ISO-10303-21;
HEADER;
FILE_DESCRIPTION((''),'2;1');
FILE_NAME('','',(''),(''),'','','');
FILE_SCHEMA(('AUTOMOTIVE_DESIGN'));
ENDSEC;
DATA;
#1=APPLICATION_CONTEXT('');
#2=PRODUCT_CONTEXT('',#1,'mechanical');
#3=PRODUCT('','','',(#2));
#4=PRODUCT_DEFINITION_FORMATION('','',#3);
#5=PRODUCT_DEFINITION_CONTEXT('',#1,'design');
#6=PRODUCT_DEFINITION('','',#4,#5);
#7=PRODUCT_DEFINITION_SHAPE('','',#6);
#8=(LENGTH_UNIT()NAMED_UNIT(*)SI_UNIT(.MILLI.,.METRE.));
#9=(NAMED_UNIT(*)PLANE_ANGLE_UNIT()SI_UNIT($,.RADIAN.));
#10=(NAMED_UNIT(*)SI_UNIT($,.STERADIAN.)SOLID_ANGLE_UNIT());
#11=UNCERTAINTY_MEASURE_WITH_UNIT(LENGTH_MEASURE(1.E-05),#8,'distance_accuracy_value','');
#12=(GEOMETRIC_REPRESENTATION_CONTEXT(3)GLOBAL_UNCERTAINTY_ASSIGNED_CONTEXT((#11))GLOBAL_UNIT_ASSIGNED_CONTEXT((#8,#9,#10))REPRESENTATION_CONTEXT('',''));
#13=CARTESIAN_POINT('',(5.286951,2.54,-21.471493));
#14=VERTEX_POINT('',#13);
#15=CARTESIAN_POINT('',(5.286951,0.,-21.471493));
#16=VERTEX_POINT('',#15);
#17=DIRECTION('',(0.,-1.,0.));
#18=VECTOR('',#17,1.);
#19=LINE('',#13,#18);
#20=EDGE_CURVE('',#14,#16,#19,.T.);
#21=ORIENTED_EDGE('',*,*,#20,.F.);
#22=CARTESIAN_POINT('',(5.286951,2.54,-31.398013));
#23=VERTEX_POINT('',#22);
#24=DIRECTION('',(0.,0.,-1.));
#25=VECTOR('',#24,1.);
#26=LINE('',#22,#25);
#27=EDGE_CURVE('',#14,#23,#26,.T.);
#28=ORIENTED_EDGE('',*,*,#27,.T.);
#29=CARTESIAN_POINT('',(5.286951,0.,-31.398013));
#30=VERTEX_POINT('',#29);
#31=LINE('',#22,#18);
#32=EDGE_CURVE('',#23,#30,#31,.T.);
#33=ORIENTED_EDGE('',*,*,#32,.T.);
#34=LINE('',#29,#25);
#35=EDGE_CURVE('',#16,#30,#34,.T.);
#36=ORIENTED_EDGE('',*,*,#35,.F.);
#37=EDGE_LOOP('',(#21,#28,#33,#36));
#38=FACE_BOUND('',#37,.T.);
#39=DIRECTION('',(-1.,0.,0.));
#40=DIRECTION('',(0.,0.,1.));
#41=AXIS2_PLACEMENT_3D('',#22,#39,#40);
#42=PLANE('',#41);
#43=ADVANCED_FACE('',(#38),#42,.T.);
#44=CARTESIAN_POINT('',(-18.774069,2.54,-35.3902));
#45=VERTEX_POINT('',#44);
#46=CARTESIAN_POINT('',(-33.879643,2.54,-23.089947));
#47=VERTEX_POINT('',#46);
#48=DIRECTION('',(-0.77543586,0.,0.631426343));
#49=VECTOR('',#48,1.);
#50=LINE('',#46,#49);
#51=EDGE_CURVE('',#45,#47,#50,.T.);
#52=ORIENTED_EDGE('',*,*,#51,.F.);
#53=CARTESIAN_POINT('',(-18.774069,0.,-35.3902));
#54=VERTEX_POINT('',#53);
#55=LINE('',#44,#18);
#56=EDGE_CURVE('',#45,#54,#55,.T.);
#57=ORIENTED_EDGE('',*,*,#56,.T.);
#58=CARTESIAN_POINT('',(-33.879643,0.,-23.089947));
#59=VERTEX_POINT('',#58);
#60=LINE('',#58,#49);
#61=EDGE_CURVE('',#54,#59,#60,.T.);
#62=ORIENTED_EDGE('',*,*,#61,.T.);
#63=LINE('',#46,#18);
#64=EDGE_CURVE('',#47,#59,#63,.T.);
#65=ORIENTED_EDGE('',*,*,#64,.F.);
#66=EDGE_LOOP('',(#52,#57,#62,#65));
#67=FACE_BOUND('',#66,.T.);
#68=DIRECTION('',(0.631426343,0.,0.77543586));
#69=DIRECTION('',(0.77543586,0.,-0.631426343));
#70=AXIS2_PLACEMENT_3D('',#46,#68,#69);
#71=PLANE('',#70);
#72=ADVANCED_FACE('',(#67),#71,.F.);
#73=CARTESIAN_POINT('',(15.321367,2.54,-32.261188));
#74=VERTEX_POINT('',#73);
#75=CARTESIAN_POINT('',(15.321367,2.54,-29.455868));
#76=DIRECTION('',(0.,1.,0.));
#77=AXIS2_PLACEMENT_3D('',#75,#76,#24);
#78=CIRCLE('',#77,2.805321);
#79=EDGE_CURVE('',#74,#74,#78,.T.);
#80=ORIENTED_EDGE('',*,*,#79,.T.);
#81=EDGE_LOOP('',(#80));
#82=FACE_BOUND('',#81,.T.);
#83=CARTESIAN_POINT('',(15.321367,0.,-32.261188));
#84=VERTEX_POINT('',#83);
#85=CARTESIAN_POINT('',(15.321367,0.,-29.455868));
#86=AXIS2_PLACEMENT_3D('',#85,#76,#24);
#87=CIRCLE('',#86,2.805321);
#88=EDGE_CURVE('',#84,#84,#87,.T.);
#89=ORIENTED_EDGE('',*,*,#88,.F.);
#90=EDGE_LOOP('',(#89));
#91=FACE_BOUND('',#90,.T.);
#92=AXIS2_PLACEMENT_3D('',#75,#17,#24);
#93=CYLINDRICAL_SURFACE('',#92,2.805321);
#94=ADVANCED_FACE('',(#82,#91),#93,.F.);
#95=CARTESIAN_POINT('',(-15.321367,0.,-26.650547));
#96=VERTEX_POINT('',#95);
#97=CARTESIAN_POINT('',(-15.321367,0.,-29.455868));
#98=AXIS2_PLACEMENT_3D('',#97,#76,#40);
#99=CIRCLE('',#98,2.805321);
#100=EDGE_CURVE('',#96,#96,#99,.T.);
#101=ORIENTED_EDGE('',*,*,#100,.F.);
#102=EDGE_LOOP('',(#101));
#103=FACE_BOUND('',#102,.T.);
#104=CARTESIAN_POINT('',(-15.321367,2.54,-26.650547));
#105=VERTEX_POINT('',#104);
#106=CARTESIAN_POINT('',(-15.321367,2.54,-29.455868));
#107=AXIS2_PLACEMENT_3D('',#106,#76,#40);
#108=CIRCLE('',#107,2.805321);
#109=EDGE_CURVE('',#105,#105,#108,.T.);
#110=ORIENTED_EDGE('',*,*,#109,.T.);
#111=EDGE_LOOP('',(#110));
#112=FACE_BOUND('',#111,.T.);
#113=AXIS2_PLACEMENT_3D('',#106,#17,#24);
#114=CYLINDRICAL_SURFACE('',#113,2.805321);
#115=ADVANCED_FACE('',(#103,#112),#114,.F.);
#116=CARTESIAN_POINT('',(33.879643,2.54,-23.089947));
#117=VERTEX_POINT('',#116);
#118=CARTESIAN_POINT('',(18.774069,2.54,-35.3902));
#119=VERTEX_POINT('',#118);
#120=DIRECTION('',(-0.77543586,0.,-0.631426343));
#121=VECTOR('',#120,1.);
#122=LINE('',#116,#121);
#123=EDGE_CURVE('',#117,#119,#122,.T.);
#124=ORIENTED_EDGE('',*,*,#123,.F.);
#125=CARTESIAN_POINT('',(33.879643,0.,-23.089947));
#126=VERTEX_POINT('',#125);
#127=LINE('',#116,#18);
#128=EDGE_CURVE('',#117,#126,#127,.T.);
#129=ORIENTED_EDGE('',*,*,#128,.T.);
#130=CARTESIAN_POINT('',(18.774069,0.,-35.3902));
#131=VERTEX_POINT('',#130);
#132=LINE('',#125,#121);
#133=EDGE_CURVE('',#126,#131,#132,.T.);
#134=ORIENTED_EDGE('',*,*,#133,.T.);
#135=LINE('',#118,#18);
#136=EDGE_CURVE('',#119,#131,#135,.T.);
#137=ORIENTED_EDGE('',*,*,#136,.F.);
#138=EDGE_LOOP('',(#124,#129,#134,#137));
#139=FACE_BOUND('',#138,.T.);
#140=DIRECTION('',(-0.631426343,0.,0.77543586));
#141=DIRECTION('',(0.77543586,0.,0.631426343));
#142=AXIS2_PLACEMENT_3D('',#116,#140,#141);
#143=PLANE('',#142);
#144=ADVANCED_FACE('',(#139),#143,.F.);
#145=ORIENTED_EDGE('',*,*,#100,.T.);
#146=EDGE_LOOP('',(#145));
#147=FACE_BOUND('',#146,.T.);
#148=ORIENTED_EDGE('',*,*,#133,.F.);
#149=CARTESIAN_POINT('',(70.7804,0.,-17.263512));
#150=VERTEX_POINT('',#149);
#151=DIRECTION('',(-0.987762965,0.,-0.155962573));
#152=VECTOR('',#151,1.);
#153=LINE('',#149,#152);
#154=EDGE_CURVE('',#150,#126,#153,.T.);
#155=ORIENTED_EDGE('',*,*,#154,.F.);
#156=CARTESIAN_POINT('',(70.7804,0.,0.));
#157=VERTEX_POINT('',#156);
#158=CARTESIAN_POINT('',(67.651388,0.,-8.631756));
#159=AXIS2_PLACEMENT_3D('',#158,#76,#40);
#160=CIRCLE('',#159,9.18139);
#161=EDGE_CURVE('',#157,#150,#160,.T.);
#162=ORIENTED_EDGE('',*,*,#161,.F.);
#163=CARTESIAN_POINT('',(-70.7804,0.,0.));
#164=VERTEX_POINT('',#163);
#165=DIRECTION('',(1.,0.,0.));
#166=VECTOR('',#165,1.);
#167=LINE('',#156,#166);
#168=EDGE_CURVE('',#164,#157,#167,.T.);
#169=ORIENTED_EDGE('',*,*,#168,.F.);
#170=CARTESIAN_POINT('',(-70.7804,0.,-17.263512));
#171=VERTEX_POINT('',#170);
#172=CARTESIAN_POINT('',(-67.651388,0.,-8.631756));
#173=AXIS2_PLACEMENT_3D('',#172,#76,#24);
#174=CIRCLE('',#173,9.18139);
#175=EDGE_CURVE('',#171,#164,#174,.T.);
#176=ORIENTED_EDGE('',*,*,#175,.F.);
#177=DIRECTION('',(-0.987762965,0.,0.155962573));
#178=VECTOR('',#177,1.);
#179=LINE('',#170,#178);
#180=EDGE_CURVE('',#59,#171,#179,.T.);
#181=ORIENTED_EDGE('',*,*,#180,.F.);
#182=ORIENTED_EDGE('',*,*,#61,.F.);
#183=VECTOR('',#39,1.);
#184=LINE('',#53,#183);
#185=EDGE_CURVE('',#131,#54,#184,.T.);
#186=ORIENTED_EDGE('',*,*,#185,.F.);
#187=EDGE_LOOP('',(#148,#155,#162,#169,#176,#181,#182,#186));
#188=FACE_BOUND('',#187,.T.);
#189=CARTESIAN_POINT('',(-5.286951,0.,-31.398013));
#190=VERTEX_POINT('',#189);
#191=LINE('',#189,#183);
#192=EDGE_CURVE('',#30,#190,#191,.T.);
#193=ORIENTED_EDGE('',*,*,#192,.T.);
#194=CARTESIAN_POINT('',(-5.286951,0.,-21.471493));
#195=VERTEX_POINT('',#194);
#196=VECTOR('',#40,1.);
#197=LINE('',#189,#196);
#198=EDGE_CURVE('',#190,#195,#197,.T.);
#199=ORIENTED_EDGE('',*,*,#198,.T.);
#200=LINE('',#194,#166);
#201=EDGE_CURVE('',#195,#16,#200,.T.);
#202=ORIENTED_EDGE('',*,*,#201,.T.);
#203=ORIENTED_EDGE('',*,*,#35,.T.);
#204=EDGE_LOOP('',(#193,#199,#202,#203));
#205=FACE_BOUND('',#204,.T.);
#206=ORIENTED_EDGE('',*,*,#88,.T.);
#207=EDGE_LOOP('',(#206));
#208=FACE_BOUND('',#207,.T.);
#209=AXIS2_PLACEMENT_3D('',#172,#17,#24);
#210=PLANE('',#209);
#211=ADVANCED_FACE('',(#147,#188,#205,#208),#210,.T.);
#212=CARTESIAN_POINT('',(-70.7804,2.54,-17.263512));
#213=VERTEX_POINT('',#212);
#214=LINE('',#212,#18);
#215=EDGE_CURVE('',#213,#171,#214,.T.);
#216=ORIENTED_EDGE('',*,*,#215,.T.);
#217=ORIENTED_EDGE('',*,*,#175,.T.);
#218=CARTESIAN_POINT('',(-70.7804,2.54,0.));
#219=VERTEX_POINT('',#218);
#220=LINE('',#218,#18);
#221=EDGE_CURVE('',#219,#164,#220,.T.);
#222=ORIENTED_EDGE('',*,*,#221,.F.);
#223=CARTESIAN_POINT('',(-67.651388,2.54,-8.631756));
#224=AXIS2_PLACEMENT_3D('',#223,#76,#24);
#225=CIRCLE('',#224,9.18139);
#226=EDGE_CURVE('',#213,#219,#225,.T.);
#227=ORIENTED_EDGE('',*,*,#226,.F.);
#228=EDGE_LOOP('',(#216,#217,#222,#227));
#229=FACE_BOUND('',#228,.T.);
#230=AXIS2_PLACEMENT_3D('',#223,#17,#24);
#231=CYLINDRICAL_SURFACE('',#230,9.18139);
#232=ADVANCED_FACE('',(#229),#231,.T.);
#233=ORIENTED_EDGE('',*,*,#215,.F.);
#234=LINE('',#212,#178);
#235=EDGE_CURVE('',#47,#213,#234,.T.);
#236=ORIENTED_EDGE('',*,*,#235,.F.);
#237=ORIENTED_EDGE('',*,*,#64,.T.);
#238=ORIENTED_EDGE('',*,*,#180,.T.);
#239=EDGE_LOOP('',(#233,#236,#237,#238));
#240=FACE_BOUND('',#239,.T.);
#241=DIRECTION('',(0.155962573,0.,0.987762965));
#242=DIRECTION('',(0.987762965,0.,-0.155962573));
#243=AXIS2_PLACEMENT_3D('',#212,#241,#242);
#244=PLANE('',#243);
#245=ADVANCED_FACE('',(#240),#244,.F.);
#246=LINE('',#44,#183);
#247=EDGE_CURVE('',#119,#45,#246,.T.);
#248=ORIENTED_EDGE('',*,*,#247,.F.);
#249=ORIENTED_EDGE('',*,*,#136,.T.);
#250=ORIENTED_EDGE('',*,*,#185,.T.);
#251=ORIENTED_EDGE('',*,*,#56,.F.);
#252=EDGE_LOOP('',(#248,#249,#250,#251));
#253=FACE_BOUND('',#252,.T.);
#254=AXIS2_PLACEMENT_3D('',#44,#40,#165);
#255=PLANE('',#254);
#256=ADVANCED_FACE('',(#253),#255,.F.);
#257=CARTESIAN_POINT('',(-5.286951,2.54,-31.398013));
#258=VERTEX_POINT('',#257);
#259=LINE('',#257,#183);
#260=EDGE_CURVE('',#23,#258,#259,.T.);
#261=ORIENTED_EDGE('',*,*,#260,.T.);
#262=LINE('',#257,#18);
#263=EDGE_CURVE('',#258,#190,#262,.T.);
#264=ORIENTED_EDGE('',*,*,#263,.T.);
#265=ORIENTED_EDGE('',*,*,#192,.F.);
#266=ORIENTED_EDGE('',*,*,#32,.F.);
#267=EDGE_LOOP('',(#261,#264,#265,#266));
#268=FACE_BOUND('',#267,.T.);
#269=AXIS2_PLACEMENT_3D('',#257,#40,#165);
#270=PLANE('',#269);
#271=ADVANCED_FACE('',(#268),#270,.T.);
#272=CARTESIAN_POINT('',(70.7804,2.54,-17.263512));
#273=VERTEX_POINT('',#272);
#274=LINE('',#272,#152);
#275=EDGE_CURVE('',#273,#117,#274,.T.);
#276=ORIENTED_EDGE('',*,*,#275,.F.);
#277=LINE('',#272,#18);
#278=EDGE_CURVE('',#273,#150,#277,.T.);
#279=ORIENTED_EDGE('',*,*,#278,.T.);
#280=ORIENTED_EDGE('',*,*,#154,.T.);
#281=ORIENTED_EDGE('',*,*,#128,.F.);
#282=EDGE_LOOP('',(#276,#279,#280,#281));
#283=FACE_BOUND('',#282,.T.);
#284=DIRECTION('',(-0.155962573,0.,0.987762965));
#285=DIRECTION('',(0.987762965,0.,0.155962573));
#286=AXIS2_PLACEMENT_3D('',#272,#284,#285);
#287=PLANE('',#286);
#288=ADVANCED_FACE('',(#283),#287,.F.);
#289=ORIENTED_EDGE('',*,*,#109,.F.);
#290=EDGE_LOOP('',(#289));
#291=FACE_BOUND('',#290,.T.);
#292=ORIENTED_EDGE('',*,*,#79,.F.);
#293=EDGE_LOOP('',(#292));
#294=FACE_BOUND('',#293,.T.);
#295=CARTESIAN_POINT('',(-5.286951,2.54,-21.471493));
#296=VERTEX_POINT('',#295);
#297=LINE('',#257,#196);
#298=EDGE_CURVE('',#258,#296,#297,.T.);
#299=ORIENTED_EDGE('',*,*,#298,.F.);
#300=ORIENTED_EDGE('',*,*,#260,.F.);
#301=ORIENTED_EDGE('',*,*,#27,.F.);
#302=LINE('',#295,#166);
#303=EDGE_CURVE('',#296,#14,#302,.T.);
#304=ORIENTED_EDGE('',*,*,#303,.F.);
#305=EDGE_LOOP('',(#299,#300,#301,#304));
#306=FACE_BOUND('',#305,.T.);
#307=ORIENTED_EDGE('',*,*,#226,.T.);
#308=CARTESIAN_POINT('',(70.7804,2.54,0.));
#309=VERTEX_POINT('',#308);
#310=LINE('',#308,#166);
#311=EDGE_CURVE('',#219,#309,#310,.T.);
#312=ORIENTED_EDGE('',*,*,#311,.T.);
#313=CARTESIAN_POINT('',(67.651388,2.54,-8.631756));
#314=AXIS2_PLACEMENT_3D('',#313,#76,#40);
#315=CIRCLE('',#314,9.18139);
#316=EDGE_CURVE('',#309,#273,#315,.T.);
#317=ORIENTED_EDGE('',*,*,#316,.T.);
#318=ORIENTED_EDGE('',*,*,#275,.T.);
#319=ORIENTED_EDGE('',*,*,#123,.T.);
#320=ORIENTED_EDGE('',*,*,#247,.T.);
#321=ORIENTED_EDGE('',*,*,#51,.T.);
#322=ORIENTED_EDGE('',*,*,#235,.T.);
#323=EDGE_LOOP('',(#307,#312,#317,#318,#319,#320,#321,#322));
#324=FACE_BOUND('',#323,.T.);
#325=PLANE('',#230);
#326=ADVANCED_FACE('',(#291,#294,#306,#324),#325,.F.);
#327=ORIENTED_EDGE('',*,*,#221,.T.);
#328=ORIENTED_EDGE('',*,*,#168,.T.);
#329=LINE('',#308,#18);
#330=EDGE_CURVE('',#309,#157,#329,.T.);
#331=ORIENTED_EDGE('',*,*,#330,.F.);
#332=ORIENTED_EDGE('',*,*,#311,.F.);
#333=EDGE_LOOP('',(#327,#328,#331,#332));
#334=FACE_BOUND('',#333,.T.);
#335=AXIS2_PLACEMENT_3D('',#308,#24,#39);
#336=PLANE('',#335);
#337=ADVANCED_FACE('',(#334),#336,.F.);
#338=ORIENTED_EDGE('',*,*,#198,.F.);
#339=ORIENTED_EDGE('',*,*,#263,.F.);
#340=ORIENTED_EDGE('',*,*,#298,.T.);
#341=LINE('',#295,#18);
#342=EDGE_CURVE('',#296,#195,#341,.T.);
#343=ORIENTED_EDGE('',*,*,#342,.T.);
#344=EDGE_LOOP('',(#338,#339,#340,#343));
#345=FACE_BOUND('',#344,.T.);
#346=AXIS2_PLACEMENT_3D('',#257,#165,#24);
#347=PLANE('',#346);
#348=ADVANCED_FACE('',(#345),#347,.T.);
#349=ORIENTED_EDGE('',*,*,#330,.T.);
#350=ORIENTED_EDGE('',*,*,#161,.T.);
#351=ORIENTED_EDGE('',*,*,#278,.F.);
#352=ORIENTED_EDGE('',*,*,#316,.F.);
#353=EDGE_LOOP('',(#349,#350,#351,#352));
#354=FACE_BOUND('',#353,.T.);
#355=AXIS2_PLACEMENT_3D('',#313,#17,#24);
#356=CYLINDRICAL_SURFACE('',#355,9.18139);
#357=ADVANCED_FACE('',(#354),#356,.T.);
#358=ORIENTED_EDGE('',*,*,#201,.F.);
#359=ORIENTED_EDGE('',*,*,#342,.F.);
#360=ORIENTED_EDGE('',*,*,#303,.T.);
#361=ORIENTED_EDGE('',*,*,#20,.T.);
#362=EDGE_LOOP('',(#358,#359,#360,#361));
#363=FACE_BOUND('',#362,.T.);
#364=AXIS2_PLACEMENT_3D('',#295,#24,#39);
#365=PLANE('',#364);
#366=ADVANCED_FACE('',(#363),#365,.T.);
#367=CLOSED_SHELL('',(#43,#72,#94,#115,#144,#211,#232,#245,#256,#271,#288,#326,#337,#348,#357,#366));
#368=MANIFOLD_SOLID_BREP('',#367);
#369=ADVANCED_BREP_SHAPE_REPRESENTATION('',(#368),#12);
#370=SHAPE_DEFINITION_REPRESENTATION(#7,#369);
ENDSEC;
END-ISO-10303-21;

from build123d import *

# Parameters (mm, degrees)
SKETCH1_R           = 2.805320717
SKETCH1_W           = 10.573901166
SKETCH1_H           = 9.926519461
BOSS_EXTRUDE1_DEPTH = 2.54


with BuildPart() as part:
    # Sketch1 → Boss-Extrude1 (new body)
    with BuildSketch(Plane(origin=(0, 0, 0), x_dir=(1, 0, 0), z_dir=(0, 1, 0))):
        with BuildLine():
            Line((70.780399637, 0), (-70.780399637, 0))
            ThreePointArc((-70.780399637, 0), (-76.832778265, 8.631756053), (-70.780399637, 17.263512107))
            Line((-70.780399637, 17.263512107), (-33.879642509, 23.089947443))
            Line((-33.879642509, 23.089947443), (-18.774069416, 35.390199818))
            Line((-18.774069416, 35.390199818), (18.774069416, 35.390199818))
            Line((18.774069416, 35.390199818), (33.879642509, 23.089947443))
            Line((33.879642509, 23.089947443), (70.780399637, 17.263512107))
            ThreePointArc((70.780399637, 17.263512107), (76.832778265, 8.631756053), (70.780399637, 0))
        make_face()
        with Locations(Location((-15.321366995, 29.455867532, 0), (0, 0, 270))):
            Circle(SKETCH1_R, mode=Mode.SUBTRACT)
        with Locations(Location((15.321366995, 29.455867532, 0), (0, 0, 90))):
            Circle(SKETCH1_R, mode=Mode.SUBTRACT)
        with Locations((0, 26.434752913)):
            Rectangle(SKETCH1_W, SKETCH1_H, mode=Mode.SUBTRACT)
    extrude(amount=BOSS_EXTRUDE1_DEPTH)


solid = part.part
